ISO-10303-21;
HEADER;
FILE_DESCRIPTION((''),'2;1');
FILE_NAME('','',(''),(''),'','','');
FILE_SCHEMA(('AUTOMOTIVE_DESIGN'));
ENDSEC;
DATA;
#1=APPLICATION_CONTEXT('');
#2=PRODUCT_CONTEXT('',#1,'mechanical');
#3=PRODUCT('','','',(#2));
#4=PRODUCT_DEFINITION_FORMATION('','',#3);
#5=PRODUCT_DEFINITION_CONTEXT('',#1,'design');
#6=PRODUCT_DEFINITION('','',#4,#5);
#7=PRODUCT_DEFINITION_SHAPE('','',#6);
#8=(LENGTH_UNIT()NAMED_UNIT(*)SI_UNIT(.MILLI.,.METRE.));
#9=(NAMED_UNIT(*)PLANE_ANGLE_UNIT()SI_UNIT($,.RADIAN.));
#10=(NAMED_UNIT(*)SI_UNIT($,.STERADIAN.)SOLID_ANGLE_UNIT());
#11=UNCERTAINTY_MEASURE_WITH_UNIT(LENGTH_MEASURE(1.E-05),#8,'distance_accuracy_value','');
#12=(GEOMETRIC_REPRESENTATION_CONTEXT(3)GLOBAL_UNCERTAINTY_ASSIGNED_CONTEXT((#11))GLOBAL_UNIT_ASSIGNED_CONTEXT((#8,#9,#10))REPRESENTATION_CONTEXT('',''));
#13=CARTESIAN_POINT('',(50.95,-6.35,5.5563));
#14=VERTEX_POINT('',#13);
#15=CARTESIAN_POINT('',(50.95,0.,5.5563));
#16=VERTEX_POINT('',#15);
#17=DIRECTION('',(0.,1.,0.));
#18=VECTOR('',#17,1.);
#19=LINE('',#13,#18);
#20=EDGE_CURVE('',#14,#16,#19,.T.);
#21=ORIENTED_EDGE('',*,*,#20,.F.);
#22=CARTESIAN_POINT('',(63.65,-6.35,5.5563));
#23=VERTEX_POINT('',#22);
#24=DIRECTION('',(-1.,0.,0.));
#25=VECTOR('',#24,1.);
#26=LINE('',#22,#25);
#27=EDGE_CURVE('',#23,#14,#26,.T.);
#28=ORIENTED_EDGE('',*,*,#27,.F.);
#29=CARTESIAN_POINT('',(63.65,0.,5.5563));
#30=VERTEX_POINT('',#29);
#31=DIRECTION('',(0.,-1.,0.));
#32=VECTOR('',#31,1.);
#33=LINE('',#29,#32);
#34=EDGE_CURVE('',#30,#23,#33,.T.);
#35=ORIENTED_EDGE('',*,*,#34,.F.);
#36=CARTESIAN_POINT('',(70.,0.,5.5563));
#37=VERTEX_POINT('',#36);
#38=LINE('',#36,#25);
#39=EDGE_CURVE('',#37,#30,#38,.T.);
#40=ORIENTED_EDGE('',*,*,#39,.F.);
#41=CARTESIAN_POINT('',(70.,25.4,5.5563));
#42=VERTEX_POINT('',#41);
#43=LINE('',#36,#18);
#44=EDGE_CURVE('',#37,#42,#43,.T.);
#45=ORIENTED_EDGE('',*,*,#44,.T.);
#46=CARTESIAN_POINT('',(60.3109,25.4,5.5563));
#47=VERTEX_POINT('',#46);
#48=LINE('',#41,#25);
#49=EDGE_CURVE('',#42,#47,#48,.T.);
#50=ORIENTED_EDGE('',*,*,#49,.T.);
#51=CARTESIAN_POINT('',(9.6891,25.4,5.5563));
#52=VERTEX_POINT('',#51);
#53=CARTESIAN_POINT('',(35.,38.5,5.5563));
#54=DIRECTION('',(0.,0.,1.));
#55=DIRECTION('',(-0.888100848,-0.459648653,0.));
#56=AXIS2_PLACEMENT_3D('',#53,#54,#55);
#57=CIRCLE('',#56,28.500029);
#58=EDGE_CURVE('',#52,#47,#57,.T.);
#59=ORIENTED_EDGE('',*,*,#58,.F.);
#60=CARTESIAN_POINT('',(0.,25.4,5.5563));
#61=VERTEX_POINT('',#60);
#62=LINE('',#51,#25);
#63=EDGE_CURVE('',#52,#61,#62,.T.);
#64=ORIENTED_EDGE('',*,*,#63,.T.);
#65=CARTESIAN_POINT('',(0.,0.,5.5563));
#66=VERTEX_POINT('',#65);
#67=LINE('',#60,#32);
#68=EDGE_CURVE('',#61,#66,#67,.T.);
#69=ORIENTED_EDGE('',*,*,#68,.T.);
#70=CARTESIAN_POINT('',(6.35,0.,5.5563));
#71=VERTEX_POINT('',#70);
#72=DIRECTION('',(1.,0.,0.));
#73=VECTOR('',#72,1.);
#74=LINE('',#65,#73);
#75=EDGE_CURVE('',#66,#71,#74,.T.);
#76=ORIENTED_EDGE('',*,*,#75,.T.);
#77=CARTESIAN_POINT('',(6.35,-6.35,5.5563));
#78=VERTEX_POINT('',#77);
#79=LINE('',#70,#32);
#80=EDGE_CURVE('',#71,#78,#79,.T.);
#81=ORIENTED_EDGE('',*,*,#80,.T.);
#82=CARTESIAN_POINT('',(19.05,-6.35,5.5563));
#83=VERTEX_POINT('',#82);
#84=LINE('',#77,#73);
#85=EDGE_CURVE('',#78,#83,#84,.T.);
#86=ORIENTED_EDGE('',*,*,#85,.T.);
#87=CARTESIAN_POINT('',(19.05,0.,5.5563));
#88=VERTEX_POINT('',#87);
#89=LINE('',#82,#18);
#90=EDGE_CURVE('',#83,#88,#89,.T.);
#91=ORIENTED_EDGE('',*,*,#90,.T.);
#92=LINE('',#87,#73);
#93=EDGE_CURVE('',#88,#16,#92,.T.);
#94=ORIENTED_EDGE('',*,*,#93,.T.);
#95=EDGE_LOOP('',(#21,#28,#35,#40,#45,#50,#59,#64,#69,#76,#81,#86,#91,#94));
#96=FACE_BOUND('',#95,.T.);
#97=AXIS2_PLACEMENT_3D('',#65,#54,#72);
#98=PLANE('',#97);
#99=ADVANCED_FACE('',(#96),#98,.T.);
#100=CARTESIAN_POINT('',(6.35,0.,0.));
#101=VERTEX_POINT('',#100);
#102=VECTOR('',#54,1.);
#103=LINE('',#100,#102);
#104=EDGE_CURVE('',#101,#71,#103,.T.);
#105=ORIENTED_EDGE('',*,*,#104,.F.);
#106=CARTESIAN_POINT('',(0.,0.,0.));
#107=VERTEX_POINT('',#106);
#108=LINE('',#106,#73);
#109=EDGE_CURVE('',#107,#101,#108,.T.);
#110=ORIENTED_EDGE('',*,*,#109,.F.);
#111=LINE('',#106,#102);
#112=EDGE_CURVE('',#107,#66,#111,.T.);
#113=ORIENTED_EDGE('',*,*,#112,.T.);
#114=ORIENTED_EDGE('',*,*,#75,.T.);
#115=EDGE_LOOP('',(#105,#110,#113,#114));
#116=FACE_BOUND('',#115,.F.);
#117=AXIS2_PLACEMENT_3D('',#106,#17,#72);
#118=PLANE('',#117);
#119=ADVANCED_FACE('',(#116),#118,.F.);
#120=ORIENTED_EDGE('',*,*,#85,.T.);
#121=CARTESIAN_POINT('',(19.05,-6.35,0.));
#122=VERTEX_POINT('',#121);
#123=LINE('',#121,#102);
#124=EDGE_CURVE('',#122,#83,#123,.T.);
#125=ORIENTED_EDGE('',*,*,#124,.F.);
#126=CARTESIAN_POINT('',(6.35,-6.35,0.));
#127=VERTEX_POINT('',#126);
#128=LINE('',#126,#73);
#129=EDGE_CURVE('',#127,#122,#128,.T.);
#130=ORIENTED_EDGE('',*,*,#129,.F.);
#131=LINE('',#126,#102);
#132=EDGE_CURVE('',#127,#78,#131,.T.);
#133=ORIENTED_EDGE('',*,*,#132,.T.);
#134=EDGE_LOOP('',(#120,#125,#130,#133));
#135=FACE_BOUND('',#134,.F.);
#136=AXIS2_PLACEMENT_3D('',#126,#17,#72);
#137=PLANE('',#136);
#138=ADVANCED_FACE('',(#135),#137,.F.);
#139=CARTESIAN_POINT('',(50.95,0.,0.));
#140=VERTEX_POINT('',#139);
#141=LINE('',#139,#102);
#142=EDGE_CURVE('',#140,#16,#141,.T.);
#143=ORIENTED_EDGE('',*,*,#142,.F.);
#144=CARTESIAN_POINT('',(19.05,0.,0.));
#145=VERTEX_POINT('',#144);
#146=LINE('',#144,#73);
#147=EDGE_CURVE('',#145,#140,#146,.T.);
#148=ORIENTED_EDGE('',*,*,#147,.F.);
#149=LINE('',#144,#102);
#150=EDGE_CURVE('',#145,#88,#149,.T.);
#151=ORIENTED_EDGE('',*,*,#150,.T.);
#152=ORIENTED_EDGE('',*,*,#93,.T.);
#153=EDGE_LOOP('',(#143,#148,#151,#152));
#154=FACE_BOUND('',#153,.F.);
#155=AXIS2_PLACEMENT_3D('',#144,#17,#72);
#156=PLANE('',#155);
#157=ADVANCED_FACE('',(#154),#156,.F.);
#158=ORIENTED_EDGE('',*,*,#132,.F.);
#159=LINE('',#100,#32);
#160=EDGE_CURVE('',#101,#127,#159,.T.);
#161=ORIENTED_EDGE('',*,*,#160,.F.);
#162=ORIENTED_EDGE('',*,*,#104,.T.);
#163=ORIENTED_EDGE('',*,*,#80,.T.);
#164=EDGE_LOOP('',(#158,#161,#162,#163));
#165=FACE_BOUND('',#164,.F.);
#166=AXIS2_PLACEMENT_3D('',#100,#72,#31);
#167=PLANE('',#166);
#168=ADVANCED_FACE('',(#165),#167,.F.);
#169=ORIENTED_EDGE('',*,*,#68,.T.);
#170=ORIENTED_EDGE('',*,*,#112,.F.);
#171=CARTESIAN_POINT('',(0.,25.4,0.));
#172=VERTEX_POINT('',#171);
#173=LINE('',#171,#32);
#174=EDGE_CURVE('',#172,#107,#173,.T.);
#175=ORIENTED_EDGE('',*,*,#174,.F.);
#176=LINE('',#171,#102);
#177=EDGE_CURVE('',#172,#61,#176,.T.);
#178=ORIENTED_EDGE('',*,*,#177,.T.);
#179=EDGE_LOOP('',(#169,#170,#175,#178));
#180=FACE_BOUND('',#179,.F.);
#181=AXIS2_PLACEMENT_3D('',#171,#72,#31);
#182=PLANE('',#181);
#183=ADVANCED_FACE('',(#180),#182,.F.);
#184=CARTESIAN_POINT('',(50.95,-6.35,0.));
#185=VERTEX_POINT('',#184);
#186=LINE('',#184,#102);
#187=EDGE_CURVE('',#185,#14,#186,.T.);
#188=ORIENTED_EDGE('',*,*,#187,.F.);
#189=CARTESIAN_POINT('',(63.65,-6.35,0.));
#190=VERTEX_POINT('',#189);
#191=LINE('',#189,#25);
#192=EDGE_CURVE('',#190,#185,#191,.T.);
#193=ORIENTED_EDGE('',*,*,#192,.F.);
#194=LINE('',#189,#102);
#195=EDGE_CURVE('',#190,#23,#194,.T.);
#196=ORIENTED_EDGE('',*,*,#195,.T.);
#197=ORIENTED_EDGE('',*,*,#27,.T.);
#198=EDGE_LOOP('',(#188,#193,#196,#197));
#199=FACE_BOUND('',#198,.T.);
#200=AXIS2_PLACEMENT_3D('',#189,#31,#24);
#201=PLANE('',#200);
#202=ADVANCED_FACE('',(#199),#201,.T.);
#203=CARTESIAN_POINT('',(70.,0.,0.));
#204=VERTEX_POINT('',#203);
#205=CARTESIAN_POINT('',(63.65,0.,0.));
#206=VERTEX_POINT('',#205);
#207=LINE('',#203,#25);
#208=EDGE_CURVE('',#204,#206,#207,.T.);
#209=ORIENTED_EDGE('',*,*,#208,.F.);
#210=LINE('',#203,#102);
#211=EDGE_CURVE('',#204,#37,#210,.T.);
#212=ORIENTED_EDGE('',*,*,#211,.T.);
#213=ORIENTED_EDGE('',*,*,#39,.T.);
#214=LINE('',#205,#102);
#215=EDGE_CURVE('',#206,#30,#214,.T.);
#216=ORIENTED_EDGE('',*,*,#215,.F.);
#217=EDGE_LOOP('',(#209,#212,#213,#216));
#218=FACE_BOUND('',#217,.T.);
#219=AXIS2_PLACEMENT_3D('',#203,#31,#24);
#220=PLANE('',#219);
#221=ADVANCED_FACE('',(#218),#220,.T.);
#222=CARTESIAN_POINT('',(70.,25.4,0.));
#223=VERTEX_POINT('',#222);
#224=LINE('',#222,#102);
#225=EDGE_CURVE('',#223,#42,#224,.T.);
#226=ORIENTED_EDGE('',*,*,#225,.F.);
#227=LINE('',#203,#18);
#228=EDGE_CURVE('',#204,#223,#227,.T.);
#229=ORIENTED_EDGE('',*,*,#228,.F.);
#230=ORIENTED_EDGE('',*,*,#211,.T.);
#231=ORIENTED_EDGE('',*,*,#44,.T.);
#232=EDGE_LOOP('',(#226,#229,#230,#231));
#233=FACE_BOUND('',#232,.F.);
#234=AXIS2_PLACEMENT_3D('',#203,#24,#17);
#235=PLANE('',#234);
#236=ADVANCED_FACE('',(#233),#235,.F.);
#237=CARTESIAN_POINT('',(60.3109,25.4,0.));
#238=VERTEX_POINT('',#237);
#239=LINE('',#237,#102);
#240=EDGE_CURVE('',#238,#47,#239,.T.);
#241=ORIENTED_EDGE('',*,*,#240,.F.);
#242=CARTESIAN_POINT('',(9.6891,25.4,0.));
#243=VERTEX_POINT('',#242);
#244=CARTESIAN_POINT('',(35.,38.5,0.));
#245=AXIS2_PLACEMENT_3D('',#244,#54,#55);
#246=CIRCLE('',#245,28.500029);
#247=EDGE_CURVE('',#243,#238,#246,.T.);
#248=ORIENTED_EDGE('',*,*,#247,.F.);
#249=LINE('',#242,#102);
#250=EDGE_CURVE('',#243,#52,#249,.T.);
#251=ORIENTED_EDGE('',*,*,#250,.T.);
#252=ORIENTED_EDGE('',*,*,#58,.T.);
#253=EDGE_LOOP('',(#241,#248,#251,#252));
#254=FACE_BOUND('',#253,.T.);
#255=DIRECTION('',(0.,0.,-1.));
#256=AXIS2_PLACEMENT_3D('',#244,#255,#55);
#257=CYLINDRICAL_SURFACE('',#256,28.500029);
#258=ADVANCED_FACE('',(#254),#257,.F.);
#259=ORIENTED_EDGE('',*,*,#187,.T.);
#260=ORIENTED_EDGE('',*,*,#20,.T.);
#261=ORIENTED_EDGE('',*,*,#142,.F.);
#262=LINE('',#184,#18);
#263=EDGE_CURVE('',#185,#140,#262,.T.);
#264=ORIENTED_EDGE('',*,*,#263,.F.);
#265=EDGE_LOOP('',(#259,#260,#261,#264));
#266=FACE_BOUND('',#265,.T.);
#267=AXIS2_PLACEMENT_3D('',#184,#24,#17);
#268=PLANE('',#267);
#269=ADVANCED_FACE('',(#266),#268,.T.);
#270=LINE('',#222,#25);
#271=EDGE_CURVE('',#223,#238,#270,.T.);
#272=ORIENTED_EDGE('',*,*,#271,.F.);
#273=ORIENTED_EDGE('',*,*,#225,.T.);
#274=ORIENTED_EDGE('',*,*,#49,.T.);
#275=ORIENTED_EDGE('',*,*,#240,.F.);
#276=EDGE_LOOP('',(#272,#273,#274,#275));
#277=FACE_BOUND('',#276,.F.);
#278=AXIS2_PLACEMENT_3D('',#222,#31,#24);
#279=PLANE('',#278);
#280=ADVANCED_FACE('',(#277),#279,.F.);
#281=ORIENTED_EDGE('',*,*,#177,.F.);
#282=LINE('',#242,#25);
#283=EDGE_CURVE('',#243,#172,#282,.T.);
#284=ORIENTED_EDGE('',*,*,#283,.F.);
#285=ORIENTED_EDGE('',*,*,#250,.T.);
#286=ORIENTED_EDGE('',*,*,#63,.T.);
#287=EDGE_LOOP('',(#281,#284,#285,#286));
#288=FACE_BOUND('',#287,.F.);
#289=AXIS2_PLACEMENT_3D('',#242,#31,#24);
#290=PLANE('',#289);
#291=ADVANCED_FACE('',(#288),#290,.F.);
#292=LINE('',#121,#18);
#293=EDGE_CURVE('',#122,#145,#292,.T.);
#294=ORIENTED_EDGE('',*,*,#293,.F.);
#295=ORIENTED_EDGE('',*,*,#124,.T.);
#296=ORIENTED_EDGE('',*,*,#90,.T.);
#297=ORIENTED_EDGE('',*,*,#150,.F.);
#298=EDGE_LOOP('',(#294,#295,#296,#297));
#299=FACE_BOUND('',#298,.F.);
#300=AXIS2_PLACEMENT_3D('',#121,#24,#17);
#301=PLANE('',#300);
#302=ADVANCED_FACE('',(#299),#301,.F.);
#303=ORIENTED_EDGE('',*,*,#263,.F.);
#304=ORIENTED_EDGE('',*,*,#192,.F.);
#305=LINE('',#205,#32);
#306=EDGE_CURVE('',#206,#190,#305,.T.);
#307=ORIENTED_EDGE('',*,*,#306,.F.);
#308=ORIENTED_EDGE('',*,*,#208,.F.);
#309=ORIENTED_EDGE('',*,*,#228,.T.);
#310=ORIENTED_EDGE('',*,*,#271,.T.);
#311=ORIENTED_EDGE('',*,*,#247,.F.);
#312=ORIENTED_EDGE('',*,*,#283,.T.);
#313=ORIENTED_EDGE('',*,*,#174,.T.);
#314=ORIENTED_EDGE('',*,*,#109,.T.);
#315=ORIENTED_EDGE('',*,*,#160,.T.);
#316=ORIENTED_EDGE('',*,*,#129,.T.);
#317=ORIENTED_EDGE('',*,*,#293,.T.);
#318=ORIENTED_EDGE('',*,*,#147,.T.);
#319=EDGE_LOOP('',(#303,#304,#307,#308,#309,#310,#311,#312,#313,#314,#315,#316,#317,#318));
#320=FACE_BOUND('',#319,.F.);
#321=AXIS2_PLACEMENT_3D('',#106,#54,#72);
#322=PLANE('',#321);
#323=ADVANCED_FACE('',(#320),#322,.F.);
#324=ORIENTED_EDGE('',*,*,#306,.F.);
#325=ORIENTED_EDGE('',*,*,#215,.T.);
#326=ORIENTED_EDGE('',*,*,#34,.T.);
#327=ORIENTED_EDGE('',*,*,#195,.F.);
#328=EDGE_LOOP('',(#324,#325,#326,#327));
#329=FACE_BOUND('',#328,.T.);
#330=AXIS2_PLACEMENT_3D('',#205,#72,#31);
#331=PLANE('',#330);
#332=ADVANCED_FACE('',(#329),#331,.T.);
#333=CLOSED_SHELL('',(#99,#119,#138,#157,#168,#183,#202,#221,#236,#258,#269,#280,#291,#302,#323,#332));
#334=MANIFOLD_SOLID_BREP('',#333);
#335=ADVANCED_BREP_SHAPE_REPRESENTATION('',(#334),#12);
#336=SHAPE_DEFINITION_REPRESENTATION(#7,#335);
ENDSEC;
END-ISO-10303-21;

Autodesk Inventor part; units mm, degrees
ref_plane "YZ Plane" through (0, 0, 0) normal (1, 0, 0) x (0, 1, 0)
ref_plane "XZ Plane" through (0, 0, 0) normal (0, 1, 0) x (-1, 0, 0)
ref_plane "XY Plane" through (0, 0, 0) normal (0, 0, 1) x (1, 0, 0)
sketch "Sketch1" plane through (0, 0, 0) normal (0, 0, 1) x (1, 0, 0)
  line L0 (70, 0) -> (70, 25.4)
  line L1 (0, 25.4) -> (0, 0)
  arc A0 (9.6891, 25.4) -> (60.3109, 25.4) centre (35, 38.5) ccw
  line L2 (70, 25.4) -> (60.3109, 25.4)
  line L3 (9.6891, 25.4) -> (0, 25.4)
  line L4 (0, 0) -> (6.35, 0)
  line L5 (6.35, 0) -> (6.35, -6.35)
  line L6 (6.35, -6.35) -> (19.05, -6.35)
  line L7 (19.05, -6.35) -> (19.05, 0)
  line L8 (70, 0) -> (63.65, 0)
  line L9 (63.65, 0) -> (63.65, -6.35)
  line L10 (63.65, -6.35) -> (50.95, -6.35)
  line L11 (50.95, -6.35) -> (50.95, 0)
  line L12 (0, 0) -> (6.35, 0)
  line L13 (19.05, 0) -> (50.95, 0)
  line L14 (63.65, 0) -> (70, 0)
  dimension "d1" = 25.4
  dimension "d6" = 6.35
  dimension "d7" = 12.7
  dimension "d8" = 6.35
  dimension "d9" = 6.35
  dimension "d10" = 12.7
extrude "Extrusion1" add sketch "Sketch1" along normal blind 5.5563
properties part number "auger_holder"
